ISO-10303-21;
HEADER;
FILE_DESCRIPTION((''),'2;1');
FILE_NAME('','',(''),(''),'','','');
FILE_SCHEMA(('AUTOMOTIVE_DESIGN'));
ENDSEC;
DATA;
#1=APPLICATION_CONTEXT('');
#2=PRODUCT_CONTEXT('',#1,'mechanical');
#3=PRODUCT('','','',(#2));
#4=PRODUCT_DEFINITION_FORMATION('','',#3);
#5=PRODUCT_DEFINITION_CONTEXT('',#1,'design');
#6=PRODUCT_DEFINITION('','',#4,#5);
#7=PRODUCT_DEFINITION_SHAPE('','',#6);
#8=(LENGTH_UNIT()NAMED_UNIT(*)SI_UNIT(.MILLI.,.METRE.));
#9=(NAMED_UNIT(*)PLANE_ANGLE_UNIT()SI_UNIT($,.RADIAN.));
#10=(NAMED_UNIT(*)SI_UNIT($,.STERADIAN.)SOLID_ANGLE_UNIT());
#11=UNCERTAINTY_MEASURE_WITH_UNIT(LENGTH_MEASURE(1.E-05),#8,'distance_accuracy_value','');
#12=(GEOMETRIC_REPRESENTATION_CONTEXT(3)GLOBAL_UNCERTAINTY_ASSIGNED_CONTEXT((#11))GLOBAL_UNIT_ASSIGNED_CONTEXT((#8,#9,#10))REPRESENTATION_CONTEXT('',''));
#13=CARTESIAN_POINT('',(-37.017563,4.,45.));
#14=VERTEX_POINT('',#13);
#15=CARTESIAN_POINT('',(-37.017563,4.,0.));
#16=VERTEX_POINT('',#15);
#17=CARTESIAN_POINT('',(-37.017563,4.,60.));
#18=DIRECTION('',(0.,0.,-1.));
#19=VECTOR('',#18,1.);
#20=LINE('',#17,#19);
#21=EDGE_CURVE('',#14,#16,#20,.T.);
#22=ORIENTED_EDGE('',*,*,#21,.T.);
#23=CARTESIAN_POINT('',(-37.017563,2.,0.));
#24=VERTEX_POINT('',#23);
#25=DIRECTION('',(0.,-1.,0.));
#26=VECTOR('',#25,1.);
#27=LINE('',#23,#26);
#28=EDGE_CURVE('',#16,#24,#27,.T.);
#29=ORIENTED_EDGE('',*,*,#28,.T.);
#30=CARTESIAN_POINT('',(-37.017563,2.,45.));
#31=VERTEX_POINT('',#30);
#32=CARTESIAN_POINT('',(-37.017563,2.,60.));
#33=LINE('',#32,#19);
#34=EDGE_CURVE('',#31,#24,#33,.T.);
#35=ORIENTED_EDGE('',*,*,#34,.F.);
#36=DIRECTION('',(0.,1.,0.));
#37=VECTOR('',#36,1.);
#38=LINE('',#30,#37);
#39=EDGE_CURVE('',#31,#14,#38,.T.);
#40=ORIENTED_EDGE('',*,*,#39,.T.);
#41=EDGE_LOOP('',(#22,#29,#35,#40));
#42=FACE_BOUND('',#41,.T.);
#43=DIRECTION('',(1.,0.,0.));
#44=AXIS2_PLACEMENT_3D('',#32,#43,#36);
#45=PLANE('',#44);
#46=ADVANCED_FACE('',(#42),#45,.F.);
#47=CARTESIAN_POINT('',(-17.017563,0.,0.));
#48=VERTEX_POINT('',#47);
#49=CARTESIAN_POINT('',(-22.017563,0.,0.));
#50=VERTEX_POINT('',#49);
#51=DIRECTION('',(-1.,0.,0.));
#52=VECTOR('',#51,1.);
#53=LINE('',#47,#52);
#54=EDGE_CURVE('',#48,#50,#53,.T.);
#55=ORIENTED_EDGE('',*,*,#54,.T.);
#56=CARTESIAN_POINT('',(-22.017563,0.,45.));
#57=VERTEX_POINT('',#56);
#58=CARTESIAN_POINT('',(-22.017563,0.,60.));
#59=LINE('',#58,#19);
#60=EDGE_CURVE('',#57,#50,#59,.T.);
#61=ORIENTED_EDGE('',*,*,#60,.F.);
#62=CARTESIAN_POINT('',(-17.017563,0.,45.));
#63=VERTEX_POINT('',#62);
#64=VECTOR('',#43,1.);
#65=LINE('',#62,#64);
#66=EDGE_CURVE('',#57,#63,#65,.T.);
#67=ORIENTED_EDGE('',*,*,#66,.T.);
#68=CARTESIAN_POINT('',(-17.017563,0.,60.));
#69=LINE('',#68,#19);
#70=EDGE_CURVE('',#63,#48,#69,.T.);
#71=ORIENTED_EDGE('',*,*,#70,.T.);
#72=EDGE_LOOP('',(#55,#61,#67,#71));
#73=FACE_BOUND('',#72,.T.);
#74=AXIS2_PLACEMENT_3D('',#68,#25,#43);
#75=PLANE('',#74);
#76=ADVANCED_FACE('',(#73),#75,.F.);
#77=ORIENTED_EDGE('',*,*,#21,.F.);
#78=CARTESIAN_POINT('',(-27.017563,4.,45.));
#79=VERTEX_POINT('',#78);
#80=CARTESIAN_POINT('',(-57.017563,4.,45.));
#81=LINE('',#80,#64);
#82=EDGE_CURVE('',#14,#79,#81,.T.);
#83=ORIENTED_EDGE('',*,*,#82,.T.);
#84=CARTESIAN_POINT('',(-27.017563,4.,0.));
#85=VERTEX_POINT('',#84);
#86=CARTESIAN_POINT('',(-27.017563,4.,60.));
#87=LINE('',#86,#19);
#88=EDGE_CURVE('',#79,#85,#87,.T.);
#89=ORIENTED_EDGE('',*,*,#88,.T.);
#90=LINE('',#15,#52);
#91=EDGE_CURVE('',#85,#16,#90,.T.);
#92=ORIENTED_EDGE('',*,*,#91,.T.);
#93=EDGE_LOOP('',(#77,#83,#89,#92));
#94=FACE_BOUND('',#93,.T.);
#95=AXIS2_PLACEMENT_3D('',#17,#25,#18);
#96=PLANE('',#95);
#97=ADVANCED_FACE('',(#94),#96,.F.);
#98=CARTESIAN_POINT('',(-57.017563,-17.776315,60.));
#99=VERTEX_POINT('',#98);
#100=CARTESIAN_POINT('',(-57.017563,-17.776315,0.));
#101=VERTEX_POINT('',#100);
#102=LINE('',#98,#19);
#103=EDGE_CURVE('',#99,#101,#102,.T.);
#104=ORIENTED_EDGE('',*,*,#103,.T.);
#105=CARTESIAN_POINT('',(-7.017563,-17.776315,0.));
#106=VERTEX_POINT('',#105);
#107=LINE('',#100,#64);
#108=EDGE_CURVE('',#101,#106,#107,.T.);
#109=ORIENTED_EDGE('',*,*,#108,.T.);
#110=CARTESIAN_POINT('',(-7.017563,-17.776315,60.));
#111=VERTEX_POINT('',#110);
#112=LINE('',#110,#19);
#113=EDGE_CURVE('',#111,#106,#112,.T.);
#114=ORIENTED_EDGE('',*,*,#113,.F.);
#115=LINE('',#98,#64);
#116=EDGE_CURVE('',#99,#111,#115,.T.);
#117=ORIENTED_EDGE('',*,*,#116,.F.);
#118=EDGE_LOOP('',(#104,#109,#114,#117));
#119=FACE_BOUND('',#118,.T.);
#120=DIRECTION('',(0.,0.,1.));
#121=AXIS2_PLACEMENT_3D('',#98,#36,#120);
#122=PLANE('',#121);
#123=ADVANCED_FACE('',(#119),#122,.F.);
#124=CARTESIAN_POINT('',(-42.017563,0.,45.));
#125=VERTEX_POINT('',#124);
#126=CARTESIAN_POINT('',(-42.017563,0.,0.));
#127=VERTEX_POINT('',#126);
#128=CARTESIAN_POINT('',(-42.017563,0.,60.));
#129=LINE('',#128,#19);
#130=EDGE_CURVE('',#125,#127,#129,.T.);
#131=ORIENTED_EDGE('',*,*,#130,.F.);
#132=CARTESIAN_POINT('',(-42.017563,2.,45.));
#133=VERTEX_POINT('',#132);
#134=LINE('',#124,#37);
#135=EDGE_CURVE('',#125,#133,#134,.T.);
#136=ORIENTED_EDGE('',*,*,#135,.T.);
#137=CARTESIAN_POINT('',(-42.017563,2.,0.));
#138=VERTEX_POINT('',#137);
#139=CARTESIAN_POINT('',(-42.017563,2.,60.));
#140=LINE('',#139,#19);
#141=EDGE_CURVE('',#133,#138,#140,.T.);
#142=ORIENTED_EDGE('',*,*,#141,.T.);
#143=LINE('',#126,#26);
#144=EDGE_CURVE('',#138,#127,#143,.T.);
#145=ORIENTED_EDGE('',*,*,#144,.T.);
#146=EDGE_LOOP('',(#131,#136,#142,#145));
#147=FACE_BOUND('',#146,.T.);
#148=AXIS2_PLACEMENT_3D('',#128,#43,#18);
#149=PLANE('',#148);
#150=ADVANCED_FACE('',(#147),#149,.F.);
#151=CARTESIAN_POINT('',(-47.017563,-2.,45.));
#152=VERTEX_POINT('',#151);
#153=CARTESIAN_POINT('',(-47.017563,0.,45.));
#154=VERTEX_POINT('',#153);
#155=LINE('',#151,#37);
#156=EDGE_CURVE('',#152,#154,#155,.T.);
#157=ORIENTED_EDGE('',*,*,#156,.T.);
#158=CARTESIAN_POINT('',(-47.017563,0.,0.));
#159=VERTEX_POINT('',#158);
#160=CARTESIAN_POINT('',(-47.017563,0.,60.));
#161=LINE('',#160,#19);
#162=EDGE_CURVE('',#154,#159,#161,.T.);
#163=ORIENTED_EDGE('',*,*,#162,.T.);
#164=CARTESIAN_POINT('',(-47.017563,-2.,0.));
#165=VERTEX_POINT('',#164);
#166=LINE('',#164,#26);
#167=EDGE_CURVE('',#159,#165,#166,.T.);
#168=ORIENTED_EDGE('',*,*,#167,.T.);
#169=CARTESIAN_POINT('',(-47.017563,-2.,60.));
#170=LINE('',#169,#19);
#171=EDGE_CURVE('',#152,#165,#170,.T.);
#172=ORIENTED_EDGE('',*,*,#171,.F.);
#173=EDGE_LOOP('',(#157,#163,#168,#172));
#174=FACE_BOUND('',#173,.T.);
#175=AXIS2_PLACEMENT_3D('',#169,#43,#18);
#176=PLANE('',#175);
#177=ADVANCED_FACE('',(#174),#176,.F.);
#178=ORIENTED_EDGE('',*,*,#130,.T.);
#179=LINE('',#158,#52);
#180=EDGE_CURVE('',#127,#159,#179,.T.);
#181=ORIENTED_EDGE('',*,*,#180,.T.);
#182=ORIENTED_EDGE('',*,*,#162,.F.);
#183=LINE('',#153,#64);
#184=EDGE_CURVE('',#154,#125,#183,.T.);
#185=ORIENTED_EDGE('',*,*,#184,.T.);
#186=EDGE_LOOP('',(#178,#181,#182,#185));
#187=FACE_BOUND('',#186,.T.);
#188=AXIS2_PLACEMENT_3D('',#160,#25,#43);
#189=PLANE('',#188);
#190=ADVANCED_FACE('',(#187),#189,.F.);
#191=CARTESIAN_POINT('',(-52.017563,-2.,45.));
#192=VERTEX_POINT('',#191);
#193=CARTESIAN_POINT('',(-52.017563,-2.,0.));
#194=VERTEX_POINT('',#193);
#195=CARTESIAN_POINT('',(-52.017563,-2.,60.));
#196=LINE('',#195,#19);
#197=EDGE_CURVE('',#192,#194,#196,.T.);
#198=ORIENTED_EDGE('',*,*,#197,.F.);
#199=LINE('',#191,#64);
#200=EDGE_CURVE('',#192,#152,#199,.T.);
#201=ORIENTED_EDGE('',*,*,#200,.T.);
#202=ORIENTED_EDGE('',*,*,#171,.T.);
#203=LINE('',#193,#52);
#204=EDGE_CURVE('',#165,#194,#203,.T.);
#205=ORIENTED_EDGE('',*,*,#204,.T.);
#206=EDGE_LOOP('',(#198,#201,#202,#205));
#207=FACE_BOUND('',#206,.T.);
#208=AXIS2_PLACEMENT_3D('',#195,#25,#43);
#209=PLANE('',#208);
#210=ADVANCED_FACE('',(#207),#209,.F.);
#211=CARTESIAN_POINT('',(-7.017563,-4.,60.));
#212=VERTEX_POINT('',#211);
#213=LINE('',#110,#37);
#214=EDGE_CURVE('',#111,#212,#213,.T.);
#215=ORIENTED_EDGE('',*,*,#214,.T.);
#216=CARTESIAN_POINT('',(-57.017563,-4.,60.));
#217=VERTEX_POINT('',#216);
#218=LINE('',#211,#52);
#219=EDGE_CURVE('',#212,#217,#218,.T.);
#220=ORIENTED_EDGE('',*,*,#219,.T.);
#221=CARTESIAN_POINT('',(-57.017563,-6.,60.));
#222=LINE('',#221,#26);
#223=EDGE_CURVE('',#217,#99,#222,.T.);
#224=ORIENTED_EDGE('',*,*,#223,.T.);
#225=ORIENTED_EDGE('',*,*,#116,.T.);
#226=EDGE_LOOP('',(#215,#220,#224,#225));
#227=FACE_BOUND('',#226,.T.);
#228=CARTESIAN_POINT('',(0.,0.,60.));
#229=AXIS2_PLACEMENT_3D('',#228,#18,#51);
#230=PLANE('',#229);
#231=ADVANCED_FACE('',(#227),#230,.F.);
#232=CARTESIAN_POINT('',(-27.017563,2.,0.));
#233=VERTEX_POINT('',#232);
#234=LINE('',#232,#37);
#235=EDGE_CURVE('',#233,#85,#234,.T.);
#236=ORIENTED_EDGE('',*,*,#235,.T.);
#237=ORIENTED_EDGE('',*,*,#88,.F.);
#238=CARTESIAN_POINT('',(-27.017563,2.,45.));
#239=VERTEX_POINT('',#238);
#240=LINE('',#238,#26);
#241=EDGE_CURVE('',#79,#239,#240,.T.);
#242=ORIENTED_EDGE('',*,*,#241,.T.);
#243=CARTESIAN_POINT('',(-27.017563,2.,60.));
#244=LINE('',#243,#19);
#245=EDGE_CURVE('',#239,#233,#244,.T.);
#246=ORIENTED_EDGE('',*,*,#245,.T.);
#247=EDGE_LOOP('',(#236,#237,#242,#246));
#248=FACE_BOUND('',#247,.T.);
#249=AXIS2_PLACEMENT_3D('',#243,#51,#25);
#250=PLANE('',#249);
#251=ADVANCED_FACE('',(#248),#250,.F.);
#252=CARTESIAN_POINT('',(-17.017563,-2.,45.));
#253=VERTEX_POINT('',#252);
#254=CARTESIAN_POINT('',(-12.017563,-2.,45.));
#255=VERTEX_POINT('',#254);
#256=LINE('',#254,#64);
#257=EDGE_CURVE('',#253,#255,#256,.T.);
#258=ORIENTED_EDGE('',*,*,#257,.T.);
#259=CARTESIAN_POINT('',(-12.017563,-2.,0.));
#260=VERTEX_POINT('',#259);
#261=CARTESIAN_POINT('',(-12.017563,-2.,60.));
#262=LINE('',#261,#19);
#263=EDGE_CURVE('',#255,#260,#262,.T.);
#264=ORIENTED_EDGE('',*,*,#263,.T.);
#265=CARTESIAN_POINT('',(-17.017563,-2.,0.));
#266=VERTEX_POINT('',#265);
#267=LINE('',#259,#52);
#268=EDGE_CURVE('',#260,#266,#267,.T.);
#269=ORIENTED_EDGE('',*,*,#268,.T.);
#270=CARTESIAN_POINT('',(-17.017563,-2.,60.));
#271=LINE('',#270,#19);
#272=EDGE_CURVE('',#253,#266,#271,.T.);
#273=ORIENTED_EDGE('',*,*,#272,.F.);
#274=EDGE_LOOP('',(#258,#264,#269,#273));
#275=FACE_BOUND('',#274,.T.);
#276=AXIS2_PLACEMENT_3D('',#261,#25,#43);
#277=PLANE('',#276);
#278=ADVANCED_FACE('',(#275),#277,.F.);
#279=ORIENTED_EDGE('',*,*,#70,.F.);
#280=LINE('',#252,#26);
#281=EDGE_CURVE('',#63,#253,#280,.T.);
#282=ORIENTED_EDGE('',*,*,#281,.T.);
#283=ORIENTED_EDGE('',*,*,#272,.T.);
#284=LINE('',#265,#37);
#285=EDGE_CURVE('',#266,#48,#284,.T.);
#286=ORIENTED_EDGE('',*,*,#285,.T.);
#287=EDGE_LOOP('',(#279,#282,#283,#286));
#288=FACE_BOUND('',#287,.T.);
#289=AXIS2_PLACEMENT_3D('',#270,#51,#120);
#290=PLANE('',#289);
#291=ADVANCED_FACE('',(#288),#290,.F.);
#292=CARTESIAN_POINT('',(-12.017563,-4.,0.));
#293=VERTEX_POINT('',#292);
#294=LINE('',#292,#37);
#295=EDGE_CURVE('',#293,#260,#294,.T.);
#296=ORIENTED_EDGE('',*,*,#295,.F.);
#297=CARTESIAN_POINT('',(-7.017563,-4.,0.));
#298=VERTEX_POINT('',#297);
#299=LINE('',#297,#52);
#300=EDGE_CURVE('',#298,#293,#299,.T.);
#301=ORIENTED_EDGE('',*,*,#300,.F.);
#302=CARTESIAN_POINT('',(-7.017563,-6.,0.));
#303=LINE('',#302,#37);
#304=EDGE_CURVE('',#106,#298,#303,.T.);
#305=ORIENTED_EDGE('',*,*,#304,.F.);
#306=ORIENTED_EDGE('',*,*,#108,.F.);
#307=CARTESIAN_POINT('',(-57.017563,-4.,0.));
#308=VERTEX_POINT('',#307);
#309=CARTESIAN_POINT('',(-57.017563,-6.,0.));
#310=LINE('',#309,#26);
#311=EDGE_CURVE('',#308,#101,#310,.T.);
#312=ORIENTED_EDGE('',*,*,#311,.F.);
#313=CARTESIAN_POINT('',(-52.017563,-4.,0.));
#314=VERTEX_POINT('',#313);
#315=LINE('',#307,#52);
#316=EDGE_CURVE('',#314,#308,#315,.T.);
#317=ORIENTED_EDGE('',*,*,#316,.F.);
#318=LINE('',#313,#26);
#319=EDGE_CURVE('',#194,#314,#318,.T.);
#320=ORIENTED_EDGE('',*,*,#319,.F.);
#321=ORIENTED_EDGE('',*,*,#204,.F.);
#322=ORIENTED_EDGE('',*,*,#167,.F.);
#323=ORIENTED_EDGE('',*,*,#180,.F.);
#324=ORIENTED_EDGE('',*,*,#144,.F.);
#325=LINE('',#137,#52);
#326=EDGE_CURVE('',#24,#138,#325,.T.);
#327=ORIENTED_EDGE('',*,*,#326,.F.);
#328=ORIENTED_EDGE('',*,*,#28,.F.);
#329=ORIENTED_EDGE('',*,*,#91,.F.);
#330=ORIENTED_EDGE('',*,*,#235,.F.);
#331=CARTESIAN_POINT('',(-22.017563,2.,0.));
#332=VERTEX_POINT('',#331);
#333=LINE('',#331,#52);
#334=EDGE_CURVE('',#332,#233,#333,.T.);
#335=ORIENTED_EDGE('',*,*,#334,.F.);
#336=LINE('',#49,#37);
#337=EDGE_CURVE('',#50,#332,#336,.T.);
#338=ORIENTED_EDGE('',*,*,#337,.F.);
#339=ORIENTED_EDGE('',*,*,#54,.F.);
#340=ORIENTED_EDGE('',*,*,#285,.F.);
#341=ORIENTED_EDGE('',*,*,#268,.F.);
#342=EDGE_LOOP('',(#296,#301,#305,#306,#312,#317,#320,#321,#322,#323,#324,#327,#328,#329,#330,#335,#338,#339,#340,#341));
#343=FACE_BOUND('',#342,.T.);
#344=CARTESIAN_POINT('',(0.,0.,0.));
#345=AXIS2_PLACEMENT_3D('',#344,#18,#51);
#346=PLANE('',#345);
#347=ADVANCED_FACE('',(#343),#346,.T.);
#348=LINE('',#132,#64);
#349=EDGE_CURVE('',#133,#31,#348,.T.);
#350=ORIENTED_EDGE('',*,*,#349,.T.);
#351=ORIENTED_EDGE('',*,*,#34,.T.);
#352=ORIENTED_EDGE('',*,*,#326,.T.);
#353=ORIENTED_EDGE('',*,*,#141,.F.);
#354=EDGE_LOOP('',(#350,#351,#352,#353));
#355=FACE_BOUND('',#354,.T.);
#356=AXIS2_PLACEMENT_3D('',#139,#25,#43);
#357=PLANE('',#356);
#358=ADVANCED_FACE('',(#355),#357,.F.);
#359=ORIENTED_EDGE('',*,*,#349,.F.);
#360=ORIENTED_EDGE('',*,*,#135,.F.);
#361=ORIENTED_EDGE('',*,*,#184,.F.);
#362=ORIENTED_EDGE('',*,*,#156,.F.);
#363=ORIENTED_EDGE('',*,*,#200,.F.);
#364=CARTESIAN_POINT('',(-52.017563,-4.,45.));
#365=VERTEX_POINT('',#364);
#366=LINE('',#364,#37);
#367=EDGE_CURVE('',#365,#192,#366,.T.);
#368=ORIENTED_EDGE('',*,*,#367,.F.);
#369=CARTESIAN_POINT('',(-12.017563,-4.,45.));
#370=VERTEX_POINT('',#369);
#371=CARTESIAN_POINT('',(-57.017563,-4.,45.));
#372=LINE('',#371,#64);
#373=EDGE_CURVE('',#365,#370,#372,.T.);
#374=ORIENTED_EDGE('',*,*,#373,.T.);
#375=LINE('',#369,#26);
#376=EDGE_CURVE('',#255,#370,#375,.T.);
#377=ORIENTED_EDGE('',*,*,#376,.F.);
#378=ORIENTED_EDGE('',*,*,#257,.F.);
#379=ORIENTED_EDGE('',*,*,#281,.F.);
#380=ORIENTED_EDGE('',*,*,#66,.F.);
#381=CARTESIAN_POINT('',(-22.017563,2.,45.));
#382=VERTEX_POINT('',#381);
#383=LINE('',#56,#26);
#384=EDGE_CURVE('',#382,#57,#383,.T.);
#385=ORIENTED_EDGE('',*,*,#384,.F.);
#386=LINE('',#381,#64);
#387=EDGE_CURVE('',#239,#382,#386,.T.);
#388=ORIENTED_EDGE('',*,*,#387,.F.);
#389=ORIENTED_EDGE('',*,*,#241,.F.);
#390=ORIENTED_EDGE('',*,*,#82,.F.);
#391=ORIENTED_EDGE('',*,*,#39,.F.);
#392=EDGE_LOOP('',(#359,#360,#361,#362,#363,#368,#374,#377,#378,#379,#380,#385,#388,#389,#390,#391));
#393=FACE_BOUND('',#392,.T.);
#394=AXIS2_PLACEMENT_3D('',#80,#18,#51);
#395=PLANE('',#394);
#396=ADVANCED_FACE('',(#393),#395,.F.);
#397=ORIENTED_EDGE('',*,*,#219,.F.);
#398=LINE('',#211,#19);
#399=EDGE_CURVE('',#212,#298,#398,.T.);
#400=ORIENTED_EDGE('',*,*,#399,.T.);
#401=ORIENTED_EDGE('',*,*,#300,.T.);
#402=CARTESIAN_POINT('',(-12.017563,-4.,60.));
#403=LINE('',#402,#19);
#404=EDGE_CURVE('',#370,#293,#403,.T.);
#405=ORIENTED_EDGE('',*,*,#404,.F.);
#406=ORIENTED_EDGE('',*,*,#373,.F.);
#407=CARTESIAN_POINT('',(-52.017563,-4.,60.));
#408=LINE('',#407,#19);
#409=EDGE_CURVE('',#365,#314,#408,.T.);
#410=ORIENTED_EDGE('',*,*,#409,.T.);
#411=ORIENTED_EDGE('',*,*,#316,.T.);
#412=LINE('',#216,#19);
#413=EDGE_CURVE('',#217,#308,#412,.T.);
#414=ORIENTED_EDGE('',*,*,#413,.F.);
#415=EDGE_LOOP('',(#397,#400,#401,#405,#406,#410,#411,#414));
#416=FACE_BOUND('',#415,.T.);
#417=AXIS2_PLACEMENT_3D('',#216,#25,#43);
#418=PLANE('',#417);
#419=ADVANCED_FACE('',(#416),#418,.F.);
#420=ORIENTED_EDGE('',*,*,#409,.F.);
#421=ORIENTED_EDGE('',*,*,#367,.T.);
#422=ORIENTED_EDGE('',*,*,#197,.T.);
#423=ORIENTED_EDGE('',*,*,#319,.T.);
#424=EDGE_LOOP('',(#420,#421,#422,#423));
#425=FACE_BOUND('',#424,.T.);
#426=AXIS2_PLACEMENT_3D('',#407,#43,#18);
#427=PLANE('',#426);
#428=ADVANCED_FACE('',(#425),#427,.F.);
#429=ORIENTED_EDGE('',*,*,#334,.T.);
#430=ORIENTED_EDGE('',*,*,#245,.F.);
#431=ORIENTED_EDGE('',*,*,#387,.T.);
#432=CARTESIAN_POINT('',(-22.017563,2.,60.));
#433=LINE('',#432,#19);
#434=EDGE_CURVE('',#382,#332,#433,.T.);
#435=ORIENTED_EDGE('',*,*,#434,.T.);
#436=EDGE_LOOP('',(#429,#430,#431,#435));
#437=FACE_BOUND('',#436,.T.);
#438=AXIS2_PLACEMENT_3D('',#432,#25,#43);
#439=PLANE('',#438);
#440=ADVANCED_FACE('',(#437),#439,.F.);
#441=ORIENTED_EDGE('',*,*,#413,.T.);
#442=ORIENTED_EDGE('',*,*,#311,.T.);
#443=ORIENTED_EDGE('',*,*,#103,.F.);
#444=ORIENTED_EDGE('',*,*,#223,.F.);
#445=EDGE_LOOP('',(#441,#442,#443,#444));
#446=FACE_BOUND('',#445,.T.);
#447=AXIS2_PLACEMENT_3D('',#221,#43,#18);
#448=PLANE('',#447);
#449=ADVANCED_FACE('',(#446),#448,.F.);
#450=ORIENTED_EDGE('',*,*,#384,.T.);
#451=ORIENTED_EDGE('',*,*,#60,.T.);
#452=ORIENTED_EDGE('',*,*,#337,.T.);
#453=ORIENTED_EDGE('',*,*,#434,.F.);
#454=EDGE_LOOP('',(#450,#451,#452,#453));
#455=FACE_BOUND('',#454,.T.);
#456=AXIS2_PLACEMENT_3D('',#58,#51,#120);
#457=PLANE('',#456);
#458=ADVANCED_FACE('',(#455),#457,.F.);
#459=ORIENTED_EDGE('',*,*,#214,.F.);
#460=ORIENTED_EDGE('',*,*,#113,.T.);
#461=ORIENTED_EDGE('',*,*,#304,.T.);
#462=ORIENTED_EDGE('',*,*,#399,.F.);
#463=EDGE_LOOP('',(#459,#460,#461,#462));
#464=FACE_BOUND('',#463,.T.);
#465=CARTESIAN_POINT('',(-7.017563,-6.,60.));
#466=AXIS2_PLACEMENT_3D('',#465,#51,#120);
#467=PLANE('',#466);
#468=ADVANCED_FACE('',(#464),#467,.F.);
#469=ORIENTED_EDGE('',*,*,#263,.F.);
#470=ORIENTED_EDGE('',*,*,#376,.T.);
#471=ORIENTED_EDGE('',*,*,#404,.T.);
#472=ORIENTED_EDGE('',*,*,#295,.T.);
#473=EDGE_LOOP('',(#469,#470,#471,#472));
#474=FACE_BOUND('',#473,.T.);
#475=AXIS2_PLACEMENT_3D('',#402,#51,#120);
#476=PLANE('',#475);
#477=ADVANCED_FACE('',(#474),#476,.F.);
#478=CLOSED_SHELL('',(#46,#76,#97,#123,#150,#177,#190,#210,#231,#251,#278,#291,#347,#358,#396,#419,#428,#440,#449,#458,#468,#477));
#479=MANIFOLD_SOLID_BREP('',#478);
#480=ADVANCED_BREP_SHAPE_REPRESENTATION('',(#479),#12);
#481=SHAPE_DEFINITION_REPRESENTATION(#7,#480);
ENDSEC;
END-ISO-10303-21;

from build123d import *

# Parameters (mm, degrees)
EXTRUDE_1_DEPTH     = 60
SKETCH_3_W          = 15
SKETCH_3_H          = 8
CUT_EXTRUDE_1_DEPTH = 50


with BuildPart() as part:
    # 草图1 → 凸台-拉伸1 (new body)
    with BuildSketch(Plane.XY):
        Polygon((-37.017562776, 4), (-27.017562776, 4), (-27.017562776, 2), (-22.017562776, 2), (-22.017562776, 0), (-17.017562776, 0), (-17.017562776, -2), (-12.017562776, -2), (-12.017562776, -4), (-7.017562776, -4), (-7.017562776, -6), (-7.017562776, -17.776315497), (-57.017562776, -17.776315497), (-57.017562776, -6), (-57.017562776, -4), (-52.017562776, -4), (-52.017562776, -2), (-47.017562776, -2), (-47.017562776, 0), (-42.017562776, 0), (-42.017562776, 2), (-37.017562776, 2), align=None)
    extrude(amount=EXTRUDE_1_DEPTH)

    # 草图3 → 切除-拉伸1 (cut)
    with BuildSketch(Plane(origin=(-7.017562776, 0, 0), x_dir=(0, 0, -1), z_dir=(1, 0, 0))):
        with Locations((-52.5, 0)):
            Rectangle(SKETCH_3_W, SKETCH_3_H)
    extrude(amount=-CUT_EXTRUDE_1_DEPTH, mode=Mode.SUBTRACT)


solid = part.part
